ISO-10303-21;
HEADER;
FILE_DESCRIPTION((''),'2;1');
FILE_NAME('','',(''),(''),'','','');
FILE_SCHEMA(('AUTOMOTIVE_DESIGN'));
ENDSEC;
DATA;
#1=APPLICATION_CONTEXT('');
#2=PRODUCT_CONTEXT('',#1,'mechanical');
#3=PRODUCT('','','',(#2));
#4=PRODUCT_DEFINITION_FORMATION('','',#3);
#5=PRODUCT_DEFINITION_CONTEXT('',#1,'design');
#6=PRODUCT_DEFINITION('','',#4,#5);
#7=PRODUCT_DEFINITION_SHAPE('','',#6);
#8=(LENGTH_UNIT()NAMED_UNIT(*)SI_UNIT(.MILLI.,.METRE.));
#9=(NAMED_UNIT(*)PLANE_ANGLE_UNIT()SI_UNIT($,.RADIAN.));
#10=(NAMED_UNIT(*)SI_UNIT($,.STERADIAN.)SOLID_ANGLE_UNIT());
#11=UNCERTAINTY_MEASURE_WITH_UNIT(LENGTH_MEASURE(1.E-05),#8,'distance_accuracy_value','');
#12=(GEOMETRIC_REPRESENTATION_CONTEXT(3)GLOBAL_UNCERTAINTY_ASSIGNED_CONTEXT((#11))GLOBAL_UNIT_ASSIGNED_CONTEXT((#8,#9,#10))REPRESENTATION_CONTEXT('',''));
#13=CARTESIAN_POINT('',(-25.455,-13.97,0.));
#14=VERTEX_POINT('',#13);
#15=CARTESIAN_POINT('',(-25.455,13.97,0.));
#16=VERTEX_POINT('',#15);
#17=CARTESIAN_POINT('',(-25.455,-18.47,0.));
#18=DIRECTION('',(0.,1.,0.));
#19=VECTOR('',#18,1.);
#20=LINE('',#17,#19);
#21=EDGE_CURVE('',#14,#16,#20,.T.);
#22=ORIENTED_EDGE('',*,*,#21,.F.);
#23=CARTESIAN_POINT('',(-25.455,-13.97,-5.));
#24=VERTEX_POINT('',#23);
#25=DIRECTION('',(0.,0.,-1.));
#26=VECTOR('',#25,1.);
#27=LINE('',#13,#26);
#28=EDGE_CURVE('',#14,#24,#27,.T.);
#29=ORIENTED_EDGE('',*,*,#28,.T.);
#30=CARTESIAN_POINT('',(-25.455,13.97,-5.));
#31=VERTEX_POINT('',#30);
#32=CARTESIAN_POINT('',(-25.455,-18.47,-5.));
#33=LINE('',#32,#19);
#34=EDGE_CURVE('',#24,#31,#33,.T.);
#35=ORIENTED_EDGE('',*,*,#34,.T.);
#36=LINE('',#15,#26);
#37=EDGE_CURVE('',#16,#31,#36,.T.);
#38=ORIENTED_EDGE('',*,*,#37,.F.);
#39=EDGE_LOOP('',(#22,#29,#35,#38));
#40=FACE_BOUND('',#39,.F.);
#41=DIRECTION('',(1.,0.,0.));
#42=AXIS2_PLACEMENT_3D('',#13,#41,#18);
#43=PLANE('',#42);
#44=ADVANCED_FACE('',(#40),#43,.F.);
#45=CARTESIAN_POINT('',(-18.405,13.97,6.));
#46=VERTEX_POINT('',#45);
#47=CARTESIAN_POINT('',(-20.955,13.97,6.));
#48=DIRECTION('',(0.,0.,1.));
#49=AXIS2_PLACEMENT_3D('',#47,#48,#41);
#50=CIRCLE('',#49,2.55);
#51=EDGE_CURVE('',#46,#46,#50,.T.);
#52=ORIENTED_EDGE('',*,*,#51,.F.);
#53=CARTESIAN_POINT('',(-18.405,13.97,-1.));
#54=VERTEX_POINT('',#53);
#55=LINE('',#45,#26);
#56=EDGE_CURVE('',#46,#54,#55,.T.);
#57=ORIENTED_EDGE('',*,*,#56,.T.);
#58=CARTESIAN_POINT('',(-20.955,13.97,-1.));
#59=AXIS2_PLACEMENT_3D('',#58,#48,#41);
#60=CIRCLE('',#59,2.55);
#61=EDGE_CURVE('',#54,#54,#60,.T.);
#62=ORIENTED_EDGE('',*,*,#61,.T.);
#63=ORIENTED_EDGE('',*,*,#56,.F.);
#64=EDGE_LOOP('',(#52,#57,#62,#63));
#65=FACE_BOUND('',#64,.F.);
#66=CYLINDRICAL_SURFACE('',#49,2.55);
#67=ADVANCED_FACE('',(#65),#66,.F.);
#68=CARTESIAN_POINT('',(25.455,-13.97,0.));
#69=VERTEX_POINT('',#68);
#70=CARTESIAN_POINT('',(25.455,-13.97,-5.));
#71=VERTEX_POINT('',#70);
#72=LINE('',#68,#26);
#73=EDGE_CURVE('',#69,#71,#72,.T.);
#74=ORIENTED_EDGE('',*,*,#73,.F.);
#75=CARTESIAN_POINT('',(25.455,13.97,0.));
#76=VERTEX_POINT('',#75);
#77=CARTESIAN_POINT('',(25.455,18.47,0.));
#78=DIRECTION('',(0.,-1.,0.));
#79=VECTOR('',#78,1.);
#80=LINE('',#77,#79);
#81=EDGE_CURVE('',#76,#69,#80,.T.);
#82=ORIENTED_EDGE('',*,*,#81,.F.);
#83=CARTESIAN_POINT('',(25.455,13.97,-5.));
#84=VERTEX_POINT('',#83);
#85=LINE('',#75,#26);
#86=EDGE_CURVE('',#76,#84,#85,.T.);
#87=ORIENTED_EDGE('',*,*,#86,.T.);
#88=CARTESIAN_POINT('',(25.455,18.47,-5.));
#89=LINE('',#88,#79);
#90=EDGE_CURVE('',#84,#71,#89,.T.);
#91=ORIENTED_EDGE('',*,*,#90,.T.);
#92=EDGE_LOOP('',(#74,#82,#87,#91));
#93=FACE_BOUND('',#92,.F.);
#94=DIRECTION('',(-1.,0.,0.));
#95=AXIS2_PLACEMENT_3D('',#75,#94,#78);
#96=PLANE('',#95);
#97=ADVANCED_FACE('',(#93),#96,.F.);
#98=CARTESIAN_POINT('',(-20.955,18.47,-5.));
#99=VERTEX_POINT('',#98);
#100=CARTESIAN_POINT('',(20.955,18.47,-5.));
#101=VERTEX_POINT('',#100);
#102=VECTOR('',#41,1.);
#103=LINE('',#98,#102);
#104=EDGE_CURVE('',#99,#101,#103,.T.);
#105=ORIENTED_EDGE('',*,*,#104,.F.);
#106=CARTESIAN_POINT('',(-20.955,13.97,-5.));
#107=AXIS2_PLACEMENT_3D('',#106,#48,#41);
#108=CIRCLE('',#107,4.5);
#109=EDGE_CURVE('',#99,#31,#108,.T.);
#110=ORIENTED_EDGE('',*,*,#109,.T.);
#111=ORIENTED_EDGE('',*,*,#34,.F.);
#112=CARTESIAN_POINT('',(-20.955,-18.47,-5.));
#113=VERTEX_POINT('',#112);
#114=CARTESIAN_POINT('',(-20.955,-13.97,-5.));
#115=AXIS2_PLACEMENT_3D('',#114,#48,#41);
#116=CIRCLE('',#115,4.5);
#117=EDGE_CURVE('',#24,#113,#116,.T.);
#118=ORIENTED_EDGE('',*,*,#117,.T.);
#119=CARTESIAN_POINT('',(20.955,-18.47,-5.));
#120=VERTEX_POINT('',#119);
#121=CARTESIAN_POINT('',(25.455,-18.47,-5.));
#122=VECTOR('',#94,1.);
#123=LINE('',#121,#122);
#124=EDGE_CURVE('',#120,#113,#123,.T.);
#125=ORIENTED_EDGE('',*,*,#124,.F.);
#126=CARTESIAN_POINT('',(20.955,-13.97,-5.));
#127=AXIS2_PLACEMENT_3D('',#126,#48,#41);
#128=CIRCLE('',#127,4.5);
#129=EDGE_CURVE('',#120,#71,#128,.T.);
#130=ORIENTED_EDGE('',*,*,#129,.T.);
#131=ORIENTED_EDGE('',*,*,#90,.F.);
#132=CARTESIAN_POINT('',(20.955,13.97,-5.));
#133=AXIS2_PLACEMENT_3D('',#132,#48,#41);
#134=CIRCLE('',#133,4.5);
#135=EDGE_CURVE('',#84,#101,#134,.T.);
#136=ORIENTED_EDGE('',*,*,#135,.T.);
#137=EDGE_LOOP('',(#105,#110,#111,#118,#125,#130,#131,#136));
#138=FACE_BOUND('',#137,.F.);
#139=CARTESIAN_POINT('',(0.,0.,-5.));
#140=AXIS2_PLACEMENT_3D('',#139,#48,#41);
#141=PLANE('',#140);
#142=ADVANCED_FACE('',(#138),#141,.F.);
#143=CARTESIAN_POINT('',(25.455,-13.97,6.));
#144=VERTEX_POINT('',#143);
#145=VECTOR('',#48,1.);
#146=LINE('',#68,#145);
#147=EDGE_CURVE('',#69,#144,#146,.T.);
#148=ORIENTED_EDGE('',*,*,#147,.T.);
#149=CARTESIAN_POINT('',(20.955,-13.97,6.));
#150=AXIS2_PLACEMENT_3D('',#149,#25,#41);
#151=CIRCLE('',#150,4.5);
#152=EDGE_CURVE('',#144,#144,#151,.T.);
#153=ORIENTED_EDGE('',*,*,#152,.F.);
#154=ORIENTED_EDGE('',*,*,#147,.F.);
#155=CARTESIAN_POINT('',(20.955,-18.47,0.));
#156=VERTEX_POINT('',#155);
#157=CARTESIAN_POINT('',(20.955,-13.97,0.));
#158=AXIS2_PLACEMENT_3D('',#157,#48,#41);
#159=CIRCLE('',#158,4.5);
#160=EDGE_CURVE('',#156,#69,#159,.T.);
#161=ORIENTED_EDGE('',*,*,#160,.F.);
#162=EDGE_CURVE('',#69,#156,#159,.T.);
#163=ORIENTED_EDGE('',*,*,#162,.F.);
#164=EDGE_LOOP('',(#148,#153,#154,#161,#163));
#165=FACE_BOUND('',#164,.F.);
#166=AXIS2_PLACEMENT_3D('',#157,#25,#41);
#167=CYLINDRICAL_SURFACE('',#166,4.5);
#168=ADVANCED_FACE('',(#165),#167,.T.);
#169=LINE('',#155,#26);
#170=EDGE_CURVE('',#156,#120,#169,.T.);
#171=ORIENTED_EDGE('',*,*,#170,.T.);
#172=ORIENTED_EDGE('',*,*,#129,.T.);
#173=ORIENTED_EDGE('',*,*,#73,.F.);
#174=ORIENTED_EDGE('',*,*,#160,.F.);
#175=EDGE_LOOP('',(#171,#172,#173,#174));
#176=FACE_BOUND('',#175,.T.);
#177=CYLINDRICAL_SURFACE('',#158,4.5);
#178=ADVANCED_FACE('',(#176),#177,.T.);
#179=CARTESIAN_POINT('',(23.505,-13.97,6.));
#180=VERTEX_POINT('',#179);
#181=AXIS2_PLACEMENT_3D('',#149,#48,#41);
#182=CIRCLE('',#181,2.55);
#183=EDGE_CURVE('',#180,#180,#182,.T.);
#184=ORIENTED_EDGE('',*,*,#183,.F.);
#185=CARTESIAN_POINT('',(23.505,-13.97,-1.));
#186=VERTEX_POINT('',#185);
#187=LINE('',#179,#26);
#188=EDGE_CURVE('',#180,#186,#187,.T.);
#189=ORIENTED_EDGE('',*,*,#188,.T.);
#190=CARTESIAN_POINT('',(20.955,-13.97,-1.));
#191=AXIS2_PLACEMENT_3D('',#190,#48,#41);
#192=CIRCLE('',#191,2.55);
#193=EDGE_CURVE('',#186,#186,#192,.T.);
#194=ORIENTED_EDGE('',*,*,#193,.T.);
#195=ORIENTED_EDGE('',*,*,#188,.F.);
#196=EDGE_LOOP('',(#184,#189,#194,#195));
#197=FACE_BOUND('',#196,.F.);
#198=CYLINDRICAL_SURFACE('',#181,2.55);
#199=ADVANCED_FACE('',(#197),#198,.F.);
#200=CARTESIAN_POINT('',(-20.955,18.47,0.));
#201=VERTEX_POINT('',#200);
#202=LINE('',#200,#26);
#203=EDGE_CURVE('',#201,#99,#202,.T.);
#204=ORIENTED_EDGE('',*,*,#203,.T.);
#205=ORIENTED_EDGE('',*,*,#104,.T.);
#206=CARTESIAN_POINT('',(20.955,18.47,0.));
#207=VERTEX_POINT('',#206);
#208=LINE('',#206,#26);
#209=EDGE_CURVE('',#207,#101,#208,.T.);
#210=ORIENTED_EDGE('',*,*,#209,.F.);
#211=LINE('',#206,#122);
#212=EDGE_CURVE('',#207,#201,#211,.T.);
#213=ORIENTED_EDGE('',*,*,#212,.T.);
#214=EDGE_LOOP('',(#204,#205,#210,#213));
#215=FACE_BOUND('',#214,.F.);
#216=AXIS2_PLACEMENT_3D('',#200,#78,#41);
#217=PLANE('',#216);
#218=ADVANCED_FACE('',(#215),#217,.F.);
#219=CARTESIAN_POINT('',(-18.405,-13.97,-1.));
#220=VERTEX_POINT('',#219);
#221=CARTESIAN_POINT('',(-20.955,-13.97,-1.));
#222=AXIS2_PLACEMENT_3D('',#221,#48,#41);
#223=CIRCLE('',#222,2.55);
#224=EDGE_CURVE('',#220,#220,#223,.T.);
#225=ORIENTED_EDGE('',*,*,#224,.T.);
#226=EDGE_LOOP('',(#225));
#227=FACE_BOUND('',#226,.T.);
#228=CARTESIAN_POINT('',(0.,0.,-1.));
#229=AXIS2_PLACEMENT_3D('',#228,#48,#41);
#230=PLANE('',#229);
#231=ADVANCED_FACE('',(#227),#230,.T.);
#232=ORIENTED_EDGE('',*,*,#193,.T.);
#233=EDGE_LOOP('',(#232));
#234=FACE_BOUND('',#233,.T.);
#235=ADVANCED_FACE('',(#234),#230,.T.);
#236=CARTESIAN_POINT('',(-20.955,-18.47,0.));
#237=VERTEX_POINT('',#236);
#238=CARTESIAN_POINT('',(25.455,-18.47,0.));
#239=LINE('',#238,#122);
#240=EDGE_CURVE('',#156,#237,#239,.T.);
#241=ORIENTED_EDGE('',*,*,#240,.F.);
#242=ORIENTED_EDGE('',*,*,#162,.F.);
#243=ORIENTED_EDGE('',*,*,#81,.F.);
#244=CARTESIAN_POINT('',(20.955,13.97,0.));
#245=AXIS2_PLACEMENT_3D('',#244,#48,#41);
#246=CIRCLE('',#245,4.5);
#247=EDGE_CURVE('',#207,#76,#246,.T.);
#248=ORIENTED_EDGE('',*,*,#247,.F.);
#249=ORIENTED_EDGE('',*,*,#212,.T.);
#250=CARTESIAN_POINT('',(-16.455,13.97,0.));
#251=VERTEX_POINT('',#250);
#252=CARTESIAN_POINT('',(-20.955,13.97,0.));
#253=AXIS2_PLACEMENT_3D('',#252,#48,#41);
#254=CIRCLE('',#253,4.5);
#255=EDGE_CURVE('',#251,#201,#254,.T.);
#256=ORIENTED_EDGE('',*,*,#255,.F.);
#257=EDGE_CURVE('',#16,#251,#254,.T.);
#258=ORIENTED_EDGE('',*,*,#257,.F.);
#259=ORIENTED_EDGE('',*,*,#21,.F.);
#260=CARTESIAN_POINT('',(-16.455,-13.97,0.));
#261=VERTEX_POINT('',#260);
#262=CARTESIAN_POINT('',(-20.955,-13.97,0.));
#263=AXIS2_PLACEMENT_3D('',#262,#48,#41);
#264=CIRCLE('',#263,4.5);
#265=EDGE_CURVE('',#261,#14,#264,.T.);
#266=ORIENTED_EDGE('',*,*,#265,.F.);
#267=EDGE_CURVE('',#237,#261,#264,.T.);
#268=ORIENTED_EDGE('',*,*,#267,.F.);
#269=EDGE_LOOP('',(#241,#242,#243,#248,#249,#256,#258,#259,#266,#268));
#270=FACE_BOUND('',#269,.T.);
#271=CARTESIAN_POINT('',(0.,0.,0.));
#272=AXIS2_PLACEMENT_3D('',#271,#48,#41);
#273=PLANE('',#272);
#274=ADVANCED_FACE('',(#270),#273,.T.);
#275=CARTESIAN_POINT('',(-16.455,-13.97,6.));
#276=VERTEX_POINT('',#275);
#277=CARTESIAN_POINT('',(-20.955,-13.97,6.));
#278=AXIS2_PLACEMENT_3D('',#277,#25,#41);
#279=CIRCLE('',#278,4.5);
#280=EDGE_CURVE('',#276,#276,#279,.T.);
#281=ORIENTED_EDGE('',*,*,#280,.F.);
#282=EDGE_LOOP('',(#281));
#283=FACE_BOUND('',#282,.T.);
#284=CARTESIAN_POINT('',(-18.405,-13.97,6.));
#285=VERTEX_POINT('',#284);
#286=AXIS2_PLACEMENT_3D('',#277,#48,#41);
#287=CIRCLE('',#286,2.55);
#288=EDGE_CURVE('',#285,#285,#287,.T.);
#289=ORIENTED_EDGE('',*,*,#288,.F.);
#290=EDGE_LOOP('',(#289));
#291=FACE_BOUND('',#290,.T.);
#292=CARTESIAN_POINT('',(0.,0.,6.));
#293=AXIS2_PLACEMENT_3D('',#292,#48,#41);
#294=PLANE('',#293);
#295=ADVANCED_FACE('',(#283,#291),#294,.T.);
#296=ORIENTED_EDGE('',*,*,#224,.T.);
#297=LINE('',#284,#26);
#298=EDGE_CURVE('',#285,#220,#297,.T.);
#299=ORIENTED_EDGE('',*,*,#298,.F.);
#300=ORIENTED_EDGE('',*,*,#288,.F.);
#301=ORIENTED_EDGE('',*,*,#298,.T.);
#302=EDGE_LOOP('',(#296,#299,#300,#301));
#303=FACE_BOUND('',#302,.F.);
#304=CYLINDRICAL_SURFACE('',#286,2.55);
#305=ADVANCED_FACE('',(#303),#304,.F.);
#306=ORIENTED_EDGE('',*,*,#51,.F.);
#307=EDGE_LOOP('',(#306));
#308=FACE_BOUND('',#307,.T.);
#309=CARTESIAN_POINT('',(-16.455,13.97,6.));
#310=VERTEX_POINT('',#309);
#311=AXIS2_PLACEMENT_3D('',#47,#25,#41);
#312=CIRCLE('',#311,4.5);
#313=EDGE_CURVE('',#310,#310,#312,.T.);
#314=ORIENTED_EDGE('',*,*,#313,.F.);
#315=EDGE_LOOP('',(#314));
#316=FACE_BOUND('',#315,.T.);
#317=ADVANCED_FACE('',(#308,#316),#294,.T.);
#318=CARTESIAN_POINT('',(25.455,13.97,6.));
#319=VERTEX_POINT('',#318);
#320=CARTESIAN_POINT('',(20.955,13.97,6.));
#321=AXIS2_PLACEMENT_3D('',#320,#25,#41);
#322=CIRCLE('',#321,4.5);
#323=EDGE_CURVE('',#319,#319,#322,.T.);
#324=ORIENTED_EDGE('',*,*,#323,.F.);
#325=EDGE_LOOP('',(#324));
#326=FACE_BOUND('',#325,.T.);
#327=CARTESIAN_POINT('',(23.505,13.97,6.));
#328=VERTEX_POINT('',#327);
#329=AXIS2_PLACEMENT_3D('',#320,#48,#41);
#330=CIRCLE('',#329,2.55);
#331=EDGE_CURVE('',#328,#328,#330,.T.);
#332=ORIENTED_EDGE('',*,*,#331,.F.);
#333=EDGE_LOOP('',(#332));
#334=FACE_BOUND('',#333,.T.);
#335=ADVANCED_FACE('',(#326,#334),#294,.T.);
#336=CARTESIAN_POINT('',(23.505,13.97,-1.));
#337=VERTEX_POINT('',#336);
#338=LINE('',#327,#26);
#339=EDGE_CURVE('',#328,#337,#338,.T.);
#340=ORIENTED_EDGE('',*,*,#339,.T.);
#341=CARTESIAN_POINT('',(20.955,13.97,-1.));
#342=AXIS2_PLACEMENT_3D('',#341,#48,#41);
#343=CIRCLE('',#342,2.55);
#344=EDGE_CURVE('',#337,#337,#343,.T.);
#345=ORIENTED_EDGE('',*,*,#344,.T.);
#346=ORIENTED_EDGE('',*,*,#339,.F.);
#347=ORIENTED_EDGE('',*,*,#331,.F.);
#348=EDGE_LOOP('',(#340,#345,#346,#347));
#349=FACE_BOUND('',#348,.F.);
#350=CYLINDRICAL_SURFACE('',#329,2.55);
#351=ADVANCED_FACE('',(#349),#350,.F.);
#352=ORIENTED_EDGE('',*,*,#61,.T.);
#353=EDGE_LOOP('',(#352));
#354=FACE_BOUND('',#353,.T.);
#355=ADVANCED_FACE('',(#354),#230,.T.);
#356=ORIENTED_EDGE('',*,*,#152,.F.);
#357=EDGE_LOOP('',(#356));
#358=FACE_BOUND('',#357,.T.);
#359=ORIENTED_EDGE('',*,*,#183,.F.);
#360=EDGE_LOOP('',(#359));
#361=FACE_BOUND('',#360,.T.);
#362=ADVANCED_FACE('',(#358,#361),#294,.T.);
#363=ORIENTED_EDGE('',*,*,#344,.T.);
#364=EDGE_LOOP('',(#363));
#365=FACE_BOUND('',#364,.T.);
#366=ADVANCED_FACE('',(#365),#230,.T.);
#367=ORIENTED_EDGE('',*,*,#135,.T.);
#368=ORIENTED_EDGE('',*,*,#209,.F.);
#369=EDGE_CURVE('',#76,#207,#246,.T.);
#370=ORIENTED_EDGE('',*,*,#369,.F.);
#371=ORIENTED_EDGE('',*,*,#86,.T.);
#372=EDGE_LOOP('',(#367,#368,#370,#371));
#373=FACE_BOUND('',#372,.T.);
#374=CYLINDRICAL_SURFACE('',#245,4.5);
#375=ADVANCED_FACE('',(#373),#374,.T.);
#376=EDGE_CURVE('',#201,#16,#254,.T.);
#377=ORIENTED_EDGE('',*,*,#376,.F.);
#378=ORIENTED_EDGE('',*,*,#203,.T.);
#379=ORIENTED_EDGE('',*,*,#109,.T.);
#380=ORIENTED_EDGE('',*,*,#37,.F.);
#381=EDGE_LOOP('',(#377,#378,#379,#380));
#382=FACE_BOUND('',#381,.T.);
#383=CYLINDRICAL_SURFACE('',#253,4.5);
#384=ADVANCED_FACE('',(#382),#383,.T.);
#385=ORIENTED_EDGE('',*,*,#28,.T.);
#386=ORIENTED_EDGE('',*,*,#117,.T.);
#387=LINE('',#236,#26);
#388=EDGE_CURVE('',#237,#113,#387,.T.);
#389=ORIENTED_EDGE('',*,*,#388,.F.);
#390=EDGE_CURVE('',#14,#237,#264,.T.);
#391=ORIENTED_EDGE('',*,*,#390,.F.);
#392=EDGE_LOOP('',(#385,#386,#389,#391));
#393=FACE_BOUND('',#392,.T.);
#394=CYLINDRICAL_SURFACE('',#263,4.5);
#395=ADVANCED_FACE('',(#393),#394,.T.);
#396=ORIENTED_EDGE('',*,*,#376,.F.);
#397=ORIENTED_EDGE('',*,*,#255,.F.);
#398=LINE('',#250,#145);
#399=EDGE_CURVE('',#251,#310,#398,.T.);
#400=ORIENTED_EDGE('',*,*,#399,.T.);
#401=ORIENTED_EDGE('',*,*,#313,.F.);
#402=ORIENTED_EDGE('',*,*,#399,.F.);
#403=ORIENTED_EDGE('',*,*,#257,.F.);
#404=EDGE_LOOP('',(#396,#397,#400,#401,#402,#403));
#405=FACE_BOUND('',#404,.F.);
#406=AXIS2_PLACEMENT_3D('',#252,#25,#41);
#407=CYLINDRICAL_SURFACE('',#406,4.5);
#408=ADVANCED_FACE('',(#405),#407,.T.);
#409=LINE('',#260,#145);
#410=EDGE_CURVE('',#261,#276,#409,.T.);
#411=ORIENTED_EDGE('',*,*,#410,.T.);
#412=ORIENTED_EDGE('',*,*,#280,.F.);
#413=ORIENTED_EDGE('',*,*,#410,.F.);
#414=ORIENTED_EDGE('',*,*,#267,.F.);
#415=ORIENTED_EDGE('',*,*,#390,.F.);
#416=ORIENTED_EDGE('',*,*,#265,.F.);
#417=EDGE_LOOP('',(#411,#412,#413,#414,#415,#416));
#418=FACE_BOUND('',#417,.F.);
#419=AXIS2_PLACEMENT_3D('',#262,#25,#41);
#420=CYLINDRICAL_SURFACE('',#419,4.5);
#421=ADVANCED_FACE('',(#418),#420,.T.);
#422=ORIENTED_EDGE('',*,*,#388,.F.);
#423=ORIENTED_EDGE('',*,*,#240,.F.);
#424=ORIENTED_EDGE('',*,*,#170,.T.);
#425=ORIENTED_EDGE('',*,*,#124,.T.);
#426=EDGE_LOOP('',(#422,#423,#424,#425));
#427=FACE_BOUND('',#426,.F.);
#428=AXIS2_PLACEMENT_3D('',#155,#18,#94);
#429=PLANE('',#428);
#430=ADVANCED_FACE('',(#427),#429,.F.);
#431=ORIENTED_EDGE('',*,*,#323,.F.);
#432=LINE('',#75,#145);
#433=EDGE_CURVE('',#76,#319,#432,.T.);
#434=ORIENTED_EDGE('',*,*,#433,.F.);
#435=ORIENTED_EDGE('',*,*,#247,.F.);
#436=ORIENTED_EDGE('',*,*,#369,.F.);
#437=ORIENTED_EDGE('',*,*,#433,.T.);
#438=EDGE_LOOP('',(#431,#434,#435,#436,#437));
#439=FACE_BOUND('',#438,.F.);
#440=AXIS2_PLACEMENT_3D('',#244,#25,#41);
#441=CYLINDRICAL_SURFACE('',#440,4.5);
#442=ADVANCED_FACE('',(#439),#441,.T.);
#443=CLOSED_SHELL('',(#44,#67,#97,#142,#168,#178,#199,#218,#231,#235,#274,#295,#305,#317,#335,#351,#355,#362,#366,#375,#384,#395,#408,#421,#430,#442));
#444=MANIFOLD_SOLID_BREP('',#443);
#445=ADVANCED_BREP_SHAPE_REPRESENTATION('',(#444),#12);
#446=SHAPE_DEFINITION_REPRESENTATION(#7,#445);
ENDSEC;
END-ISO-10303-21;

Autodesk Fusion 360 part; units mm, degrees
sketch "Sketch1" plane through (0, 0, 0) normal (0, 0, 1) x (1, 0, 0)
  line L0 (25.455, -18.47) -> (-25.455, -18.47)
  line L1 (-25.455, -18.47) -> (-25.455, 18.47)
  line L2 (-25.455, 18.47) -> (25.455, 18.47)
  line L3 (25.455, 18.47) -> (25.455, -18.47)
  line L4 (25.455, -18.47) -> (-25.455, 18.47) construction
  line L5 (-25.455, -18.47) -> (25.455, 18.47) construction
  circle A0 centre (20.955, 13.97) radius 4.5
  circle A1 centre (20.955, 13.97) radius 2.55
  line L6 (0, 1.75) -> (0, 22.5)
  circle A2 centre (-20.955, 13.97) radius 2.55
  circle A3 centre (-20.955, 13.97) radius 4.5
  line L7 (1.75, 0) -> (22.5, 0)
  circle A4 centre (20.955, -13.97) radius 4.5
  circle A5 centre (20.955, -13.97) radius 2.55
  circle A6 centre (-20.955, -13.97) radius 4.5
  circle A7 centre (-20.955, -13.97) radius 2.55
  dimension "d8" = 5.1
  dimension "d9" = 9
  dimension "d10" = 41.91
  dimension "d11" = 27.94
extrude "Extrude1" add sketch "Sketch1" against normal blind 5 contours L0 L1 L2 L3 A0 A3 A4 A6 | A4 | A6 | A0 | A3 | A1 | A2 | A5 | A7
extrude "Extrude2" add sketch "Sketch1" along normal blind 6 contours A4 | A6 | A0 | A3 | A1 | A2 | A5 | A7
extrude "Extrude3" cut sketch "Sketch1" against normal blind 7 from surface at 6 contours A1 | A2 | A5 | A7
